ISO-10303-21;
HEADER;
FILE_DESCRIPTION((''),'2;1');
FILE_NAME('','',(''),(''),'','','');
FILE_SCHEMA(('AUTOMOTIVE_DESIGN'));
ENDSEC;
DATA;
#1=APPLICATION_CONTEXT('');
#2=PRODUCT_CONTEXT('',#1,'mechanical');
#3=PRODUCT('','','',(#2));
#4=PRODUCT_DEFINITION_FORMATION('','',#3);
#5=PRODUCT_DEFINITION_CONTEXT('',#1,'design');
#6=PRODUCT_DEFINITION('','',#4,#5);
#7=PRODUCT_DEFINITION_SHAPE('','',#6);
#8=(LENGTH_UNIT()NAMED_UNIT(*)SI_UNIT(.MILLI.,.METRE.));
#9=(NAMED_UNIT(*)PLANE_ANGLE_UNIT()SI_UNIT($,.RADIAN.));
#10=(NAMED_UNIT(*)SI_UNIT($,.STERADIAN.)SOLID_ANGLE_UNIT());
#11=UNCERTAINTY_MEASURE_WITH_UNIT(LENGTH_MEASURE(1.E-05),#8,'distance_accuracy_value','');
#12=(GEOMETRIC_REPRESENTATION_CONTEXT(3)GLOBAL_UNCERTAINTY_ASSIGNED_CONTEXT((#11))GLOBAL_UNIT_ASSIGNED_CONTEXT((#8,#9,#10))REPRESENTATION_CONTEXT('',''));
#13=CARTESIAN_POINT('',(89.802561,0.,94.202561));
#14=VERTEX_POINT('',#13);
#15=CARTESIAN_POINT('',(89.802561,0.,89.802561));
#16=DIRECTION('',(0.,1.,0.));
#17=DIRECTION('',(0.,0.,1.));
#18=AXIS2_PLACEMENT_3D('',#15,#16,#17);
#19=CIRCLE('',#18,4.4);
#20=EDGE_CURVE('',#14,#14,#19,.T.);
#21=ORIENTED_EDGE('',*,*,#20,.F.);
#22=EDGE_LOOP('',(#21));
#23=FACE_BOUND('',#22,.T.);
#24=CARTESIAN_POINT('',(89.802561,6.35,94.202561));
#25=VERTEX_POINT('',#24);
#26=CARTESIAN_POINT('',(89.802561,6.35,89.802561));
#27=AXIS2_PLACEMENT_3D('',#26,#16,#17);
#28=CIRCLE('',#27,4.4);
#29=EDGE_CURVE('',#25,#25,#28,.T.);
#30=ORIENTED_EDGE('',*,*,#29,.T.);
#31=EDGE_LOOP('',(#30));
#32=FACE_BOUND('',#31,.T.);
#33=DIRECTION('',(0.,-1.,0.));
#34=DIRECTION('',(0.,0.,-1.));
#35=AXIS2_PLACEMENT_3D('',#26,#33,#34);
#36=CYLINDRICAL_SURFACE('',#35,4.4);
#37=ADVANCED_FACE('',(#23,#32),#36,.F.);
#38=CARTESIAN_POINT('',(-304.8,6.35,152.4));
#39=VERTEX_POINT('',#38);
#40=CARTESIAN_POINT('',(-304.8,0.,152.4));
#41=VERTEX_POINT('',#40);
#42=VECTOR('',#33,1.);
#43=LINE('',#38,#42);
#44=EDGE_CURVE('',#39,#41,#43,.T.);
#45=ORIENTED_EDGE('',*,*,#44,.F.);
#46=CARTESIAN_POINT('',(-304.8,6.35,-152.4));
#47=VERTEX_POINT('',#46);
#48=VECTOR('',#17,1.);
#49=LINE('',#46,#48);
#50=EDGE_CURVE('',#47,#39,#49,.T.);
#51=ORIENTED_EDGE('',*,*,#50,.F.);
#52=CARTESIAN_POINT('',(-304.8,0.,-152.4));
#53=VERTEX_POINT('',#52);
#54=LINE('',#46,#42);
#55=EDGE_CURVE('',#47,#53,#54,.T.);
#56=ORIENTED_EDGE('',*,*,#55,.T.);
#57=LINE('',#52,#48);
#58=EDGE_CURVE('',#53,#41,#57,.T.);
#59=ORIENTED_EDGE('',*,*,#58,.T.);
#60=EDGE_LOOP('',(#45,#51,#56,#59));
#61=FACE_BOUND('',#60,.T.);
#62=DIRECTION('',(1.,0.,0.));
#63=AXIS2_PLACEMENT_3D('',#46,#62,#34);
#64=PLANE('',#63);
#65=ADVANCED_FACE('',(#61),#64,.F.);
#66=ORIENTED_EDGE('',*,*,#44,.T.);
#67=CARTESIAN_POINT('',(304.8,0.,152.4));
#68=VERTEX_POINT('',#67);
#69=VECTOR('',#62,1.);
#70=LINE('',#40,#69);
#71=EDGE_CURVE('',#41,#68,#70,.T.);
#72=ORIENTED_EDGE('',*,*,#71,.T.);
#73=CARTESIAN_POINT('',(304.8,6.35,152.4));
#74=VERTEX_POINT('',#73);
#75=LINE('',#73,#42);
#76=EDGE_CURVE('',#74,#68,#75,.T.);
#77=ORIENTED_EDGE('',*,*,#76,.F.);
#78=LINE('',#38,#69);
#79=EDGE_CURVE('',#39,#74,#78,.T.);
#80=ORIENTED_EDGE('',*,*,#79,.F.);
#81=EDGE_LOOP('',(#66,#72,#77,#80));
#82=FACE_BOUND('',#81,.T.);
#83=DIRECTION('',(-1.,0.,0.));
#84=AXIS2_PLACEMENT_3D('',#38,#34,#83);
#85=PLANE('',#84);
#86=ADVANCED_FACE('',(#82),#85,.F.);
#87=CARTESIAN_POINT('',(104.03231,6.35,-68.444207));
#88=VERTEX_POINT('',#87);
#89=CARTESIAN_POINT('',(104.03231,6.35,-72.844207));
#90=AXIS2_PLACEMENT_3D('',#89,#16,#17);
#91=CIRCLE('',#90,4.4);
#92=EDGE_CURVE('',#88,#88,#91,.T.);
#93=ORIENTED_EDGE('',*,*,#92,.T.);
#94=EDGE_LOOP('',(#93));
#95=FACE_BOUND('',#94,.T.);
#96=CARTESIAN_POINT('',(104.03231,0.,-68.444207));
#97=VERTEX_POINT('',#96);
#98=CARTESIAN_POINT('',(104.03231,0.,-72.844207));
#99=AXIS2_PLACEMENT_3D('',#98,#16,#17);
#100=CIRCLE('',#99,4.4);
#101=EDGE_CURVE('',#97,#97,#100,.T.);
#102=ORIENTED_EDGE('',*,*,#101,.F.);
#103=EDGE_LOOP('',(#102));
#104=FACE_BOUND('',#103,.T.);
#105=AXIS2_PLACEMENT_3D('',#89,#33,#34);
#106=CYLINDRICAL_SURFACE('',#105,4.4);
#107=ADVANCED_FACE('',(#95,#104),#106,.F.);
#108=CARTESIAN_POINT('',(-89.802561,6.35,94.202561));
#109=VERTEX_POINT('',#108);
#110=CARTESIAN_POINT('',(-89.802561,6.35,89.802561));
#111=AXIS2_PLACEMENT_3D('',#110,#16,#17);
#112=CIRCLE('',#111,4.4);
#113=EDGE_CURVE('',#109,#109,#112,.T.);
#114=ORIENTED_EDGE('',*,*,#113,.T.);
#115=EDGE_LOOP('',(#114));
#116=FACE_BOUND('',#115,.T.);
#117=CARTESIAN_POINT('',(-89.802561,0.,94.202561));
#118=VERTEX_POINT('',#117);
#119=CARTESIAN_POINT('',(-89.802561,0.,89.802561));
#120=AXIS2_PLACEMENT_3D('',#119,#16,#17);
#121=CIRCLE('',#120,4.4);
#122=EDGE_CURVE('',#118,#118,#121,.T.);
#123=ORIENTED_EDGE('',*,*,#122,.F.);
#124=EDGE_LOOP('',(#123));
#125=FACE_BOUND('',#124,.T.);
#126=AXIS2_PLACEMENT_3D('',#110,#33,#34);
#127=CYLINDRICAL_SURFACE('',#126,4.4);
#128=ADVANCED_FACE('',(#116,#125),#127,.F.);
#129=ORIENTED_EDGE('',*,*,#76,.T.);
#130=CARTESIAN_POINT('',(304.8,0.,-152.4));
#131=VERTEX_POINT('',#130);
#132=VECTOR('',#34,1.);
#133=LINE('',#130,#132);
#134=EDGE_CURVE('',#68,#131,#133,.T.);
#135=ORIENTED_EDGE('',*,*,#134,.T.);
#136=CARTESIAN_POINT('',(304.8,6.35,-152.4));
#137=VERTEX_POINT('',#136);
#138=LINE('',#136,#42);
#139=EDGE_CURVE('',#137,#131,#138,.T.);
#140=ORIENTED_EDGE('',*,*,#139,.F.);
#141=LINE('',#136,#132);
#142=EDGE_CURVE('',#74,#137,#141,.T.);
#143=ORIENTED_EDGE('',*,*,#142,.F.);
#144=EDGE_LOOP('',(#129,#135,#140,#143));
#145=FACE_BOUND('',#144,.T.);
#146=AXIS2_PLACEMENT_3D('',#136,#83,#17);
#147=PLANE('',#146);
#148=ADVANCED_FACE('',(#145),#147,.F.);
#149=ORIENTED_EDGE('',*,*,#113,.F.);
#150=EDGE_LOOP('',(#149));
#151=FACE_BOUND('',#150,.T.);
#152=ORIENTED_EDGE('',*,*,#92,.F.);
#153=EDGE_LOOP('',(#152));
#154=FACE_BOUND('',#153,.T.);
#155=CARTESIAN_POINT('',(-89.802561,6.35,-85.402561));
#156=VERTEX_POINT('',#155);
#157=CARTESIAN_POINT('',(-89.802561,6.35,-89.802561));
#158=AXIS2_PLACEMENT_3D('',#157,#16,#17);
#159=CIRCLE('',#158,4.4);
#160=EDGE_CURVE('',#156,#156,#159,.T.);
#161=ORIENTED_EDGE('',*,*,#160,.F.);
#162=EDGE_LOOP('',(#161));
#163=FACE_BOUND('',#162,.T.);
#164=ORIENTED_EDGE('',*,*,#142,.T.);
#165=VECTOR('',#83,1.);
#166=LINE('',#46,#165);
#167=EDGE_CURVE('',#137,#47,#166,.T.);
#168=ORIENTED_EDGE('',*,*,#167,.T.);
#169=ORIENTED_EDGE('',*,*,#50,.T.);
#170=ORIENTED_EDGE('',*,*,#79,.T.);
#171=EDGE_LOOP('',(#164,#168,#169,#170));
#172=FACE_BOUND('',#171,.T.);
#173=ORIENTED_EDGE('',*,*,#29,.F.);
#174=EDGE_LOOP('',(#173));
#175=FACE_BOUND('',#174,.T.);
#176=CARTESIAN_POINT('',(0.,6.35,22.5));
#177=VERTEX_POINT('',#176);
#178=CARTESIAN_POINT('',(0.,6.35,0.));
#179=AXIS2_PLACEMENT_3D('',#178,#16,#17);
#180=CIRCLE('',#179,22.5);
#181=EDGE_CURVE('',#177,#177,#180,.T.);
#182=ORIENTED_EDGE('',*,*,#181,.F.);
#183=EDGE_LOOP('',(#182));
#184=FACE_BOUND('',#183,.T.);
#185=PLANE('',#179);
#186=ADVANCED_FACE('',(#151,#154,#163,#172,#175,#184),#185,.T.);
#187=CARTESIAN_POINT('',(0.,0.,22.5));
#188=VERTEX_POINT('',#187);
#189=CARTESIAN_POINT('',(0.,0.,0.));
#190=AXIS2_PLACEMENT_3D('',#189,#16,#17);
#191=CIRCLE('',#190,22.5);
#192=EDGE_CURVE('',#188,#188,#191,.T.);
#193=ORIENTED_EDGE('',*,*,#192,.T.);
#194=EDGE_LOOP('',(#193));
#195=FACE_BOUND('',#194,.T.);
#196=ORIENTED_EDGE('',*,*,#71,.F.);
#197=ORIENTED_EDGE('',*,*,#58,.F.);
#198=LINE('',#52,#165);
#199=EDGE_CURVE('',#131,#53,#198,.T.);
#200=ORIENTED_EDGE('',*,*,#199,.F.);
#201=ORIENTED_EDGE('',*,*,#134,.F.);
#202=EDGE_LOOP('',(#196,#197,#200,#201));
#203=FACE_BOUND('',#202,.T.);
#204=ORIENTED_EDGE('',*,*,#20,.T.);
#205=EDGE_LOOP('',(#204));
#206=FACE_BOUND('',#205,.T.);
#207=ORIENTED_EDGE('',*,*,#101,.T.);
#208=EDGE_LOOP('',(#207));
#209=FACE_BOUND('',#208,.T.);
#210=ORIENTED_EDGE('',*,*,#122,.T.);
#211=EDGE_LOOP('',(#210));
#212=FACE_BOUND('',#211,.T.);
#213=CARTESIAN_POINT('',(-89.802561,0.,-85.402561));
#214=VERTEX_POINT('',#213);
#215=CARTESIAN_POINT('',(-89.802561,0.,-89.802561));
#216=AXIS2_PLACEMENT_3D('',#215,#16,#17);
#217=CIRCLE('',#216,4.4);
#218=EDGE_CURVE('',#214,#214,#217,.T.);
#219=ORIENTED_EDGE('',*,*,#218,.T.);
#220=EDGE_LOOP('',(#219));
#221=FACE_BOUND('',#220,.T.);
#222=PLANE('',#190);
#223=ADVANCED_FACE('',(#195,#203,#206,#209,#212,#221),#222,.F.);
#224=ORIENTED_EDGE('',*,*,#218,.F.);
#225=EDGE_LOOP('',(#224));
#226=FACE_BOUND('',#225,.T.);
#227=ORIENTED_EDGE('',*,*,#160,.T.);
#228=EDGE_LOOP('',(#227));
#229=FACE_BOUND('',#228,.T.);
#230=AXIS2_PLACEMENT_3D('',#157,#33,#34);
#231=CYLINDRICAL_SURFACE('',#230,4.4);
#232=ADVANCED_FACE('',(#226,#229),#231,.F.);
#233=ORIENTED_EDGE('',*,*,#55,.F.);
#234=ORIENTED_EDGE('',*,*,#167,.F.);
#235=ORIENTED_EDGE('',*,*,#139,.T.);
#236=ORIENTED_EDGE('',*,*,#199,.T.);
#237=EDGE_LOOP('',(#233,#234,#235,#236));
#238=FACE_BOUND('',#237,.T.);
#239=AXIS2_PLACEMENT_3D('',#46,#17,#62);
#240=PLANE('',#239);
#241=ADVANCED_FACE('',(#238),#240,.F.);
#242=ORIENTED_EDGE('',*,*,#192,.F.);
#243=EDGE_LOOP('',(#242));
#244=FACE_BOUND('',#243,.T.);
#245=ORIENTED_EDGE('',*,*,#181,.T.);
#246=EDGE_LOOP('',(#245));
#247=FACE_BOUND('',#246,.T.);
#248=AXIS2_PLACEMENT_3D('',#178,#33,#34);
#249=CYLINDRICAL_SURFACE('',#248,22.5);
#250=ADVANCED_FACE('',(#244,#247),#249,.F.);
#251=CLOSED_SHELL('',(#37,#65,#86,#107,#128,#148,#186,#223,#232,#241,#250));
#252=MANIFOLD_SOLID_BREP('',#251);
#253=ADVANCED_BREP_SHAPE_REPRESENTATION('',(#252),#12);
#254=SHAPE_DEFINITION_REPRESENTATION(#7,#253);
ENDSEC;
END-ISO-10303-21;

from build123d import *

# Parameters (mm, degrees)
SKETCH1_W           = 609.6
SKETCH1_H           = 304.8
SKETCH1_R           = 4.4
SKETCH1_R_2         = 22.5
BOSS_EXTRUDE1_DEPTH = 6.35


with BuildPart() as part:
    # Sketch1 → Boss-Extrude1 (new body)
    with BuildSketch(Plane(origin=(0, 0, 0), x_dir=(1, 0, 0), z_dir=(0, 1, 0))):
        Rectangle(SKETCH1_W, SKETCH1_H)
        with Locations(Location((-89.802561211, -89.802561211, 0), (0, 0, 270))):
            Circle(SKETCH1_R, mode=Mode.SUBTRACT)
        with Locations(Location((-89.802561211, 89.802561211, 0), (0, 0, 270))):
            Circle(SKETCH1_R, mode=Mode.SUBTRACT)
        with Locations(Location((104.032309625, 72.844207417, 0), (0, 0, 270))):
            Circle(SKETCH1_R, mode=Mode.SUBTRACT)
        with Locations(Location((89.802561211, -89.802561211, 0), (0, 0, 270))):
            Circle(SKETCH1_R, mode=Mode.SUBTRACT)
        with Locations(Location((0, 0, 0), (0, 0, 270))):
            Circle(SKETCH1_R_2, mode=Mode.SUBTRACT)
    extrude(amount=BOSS_EXTRUDE1_DEPTH)


solid = part.part
